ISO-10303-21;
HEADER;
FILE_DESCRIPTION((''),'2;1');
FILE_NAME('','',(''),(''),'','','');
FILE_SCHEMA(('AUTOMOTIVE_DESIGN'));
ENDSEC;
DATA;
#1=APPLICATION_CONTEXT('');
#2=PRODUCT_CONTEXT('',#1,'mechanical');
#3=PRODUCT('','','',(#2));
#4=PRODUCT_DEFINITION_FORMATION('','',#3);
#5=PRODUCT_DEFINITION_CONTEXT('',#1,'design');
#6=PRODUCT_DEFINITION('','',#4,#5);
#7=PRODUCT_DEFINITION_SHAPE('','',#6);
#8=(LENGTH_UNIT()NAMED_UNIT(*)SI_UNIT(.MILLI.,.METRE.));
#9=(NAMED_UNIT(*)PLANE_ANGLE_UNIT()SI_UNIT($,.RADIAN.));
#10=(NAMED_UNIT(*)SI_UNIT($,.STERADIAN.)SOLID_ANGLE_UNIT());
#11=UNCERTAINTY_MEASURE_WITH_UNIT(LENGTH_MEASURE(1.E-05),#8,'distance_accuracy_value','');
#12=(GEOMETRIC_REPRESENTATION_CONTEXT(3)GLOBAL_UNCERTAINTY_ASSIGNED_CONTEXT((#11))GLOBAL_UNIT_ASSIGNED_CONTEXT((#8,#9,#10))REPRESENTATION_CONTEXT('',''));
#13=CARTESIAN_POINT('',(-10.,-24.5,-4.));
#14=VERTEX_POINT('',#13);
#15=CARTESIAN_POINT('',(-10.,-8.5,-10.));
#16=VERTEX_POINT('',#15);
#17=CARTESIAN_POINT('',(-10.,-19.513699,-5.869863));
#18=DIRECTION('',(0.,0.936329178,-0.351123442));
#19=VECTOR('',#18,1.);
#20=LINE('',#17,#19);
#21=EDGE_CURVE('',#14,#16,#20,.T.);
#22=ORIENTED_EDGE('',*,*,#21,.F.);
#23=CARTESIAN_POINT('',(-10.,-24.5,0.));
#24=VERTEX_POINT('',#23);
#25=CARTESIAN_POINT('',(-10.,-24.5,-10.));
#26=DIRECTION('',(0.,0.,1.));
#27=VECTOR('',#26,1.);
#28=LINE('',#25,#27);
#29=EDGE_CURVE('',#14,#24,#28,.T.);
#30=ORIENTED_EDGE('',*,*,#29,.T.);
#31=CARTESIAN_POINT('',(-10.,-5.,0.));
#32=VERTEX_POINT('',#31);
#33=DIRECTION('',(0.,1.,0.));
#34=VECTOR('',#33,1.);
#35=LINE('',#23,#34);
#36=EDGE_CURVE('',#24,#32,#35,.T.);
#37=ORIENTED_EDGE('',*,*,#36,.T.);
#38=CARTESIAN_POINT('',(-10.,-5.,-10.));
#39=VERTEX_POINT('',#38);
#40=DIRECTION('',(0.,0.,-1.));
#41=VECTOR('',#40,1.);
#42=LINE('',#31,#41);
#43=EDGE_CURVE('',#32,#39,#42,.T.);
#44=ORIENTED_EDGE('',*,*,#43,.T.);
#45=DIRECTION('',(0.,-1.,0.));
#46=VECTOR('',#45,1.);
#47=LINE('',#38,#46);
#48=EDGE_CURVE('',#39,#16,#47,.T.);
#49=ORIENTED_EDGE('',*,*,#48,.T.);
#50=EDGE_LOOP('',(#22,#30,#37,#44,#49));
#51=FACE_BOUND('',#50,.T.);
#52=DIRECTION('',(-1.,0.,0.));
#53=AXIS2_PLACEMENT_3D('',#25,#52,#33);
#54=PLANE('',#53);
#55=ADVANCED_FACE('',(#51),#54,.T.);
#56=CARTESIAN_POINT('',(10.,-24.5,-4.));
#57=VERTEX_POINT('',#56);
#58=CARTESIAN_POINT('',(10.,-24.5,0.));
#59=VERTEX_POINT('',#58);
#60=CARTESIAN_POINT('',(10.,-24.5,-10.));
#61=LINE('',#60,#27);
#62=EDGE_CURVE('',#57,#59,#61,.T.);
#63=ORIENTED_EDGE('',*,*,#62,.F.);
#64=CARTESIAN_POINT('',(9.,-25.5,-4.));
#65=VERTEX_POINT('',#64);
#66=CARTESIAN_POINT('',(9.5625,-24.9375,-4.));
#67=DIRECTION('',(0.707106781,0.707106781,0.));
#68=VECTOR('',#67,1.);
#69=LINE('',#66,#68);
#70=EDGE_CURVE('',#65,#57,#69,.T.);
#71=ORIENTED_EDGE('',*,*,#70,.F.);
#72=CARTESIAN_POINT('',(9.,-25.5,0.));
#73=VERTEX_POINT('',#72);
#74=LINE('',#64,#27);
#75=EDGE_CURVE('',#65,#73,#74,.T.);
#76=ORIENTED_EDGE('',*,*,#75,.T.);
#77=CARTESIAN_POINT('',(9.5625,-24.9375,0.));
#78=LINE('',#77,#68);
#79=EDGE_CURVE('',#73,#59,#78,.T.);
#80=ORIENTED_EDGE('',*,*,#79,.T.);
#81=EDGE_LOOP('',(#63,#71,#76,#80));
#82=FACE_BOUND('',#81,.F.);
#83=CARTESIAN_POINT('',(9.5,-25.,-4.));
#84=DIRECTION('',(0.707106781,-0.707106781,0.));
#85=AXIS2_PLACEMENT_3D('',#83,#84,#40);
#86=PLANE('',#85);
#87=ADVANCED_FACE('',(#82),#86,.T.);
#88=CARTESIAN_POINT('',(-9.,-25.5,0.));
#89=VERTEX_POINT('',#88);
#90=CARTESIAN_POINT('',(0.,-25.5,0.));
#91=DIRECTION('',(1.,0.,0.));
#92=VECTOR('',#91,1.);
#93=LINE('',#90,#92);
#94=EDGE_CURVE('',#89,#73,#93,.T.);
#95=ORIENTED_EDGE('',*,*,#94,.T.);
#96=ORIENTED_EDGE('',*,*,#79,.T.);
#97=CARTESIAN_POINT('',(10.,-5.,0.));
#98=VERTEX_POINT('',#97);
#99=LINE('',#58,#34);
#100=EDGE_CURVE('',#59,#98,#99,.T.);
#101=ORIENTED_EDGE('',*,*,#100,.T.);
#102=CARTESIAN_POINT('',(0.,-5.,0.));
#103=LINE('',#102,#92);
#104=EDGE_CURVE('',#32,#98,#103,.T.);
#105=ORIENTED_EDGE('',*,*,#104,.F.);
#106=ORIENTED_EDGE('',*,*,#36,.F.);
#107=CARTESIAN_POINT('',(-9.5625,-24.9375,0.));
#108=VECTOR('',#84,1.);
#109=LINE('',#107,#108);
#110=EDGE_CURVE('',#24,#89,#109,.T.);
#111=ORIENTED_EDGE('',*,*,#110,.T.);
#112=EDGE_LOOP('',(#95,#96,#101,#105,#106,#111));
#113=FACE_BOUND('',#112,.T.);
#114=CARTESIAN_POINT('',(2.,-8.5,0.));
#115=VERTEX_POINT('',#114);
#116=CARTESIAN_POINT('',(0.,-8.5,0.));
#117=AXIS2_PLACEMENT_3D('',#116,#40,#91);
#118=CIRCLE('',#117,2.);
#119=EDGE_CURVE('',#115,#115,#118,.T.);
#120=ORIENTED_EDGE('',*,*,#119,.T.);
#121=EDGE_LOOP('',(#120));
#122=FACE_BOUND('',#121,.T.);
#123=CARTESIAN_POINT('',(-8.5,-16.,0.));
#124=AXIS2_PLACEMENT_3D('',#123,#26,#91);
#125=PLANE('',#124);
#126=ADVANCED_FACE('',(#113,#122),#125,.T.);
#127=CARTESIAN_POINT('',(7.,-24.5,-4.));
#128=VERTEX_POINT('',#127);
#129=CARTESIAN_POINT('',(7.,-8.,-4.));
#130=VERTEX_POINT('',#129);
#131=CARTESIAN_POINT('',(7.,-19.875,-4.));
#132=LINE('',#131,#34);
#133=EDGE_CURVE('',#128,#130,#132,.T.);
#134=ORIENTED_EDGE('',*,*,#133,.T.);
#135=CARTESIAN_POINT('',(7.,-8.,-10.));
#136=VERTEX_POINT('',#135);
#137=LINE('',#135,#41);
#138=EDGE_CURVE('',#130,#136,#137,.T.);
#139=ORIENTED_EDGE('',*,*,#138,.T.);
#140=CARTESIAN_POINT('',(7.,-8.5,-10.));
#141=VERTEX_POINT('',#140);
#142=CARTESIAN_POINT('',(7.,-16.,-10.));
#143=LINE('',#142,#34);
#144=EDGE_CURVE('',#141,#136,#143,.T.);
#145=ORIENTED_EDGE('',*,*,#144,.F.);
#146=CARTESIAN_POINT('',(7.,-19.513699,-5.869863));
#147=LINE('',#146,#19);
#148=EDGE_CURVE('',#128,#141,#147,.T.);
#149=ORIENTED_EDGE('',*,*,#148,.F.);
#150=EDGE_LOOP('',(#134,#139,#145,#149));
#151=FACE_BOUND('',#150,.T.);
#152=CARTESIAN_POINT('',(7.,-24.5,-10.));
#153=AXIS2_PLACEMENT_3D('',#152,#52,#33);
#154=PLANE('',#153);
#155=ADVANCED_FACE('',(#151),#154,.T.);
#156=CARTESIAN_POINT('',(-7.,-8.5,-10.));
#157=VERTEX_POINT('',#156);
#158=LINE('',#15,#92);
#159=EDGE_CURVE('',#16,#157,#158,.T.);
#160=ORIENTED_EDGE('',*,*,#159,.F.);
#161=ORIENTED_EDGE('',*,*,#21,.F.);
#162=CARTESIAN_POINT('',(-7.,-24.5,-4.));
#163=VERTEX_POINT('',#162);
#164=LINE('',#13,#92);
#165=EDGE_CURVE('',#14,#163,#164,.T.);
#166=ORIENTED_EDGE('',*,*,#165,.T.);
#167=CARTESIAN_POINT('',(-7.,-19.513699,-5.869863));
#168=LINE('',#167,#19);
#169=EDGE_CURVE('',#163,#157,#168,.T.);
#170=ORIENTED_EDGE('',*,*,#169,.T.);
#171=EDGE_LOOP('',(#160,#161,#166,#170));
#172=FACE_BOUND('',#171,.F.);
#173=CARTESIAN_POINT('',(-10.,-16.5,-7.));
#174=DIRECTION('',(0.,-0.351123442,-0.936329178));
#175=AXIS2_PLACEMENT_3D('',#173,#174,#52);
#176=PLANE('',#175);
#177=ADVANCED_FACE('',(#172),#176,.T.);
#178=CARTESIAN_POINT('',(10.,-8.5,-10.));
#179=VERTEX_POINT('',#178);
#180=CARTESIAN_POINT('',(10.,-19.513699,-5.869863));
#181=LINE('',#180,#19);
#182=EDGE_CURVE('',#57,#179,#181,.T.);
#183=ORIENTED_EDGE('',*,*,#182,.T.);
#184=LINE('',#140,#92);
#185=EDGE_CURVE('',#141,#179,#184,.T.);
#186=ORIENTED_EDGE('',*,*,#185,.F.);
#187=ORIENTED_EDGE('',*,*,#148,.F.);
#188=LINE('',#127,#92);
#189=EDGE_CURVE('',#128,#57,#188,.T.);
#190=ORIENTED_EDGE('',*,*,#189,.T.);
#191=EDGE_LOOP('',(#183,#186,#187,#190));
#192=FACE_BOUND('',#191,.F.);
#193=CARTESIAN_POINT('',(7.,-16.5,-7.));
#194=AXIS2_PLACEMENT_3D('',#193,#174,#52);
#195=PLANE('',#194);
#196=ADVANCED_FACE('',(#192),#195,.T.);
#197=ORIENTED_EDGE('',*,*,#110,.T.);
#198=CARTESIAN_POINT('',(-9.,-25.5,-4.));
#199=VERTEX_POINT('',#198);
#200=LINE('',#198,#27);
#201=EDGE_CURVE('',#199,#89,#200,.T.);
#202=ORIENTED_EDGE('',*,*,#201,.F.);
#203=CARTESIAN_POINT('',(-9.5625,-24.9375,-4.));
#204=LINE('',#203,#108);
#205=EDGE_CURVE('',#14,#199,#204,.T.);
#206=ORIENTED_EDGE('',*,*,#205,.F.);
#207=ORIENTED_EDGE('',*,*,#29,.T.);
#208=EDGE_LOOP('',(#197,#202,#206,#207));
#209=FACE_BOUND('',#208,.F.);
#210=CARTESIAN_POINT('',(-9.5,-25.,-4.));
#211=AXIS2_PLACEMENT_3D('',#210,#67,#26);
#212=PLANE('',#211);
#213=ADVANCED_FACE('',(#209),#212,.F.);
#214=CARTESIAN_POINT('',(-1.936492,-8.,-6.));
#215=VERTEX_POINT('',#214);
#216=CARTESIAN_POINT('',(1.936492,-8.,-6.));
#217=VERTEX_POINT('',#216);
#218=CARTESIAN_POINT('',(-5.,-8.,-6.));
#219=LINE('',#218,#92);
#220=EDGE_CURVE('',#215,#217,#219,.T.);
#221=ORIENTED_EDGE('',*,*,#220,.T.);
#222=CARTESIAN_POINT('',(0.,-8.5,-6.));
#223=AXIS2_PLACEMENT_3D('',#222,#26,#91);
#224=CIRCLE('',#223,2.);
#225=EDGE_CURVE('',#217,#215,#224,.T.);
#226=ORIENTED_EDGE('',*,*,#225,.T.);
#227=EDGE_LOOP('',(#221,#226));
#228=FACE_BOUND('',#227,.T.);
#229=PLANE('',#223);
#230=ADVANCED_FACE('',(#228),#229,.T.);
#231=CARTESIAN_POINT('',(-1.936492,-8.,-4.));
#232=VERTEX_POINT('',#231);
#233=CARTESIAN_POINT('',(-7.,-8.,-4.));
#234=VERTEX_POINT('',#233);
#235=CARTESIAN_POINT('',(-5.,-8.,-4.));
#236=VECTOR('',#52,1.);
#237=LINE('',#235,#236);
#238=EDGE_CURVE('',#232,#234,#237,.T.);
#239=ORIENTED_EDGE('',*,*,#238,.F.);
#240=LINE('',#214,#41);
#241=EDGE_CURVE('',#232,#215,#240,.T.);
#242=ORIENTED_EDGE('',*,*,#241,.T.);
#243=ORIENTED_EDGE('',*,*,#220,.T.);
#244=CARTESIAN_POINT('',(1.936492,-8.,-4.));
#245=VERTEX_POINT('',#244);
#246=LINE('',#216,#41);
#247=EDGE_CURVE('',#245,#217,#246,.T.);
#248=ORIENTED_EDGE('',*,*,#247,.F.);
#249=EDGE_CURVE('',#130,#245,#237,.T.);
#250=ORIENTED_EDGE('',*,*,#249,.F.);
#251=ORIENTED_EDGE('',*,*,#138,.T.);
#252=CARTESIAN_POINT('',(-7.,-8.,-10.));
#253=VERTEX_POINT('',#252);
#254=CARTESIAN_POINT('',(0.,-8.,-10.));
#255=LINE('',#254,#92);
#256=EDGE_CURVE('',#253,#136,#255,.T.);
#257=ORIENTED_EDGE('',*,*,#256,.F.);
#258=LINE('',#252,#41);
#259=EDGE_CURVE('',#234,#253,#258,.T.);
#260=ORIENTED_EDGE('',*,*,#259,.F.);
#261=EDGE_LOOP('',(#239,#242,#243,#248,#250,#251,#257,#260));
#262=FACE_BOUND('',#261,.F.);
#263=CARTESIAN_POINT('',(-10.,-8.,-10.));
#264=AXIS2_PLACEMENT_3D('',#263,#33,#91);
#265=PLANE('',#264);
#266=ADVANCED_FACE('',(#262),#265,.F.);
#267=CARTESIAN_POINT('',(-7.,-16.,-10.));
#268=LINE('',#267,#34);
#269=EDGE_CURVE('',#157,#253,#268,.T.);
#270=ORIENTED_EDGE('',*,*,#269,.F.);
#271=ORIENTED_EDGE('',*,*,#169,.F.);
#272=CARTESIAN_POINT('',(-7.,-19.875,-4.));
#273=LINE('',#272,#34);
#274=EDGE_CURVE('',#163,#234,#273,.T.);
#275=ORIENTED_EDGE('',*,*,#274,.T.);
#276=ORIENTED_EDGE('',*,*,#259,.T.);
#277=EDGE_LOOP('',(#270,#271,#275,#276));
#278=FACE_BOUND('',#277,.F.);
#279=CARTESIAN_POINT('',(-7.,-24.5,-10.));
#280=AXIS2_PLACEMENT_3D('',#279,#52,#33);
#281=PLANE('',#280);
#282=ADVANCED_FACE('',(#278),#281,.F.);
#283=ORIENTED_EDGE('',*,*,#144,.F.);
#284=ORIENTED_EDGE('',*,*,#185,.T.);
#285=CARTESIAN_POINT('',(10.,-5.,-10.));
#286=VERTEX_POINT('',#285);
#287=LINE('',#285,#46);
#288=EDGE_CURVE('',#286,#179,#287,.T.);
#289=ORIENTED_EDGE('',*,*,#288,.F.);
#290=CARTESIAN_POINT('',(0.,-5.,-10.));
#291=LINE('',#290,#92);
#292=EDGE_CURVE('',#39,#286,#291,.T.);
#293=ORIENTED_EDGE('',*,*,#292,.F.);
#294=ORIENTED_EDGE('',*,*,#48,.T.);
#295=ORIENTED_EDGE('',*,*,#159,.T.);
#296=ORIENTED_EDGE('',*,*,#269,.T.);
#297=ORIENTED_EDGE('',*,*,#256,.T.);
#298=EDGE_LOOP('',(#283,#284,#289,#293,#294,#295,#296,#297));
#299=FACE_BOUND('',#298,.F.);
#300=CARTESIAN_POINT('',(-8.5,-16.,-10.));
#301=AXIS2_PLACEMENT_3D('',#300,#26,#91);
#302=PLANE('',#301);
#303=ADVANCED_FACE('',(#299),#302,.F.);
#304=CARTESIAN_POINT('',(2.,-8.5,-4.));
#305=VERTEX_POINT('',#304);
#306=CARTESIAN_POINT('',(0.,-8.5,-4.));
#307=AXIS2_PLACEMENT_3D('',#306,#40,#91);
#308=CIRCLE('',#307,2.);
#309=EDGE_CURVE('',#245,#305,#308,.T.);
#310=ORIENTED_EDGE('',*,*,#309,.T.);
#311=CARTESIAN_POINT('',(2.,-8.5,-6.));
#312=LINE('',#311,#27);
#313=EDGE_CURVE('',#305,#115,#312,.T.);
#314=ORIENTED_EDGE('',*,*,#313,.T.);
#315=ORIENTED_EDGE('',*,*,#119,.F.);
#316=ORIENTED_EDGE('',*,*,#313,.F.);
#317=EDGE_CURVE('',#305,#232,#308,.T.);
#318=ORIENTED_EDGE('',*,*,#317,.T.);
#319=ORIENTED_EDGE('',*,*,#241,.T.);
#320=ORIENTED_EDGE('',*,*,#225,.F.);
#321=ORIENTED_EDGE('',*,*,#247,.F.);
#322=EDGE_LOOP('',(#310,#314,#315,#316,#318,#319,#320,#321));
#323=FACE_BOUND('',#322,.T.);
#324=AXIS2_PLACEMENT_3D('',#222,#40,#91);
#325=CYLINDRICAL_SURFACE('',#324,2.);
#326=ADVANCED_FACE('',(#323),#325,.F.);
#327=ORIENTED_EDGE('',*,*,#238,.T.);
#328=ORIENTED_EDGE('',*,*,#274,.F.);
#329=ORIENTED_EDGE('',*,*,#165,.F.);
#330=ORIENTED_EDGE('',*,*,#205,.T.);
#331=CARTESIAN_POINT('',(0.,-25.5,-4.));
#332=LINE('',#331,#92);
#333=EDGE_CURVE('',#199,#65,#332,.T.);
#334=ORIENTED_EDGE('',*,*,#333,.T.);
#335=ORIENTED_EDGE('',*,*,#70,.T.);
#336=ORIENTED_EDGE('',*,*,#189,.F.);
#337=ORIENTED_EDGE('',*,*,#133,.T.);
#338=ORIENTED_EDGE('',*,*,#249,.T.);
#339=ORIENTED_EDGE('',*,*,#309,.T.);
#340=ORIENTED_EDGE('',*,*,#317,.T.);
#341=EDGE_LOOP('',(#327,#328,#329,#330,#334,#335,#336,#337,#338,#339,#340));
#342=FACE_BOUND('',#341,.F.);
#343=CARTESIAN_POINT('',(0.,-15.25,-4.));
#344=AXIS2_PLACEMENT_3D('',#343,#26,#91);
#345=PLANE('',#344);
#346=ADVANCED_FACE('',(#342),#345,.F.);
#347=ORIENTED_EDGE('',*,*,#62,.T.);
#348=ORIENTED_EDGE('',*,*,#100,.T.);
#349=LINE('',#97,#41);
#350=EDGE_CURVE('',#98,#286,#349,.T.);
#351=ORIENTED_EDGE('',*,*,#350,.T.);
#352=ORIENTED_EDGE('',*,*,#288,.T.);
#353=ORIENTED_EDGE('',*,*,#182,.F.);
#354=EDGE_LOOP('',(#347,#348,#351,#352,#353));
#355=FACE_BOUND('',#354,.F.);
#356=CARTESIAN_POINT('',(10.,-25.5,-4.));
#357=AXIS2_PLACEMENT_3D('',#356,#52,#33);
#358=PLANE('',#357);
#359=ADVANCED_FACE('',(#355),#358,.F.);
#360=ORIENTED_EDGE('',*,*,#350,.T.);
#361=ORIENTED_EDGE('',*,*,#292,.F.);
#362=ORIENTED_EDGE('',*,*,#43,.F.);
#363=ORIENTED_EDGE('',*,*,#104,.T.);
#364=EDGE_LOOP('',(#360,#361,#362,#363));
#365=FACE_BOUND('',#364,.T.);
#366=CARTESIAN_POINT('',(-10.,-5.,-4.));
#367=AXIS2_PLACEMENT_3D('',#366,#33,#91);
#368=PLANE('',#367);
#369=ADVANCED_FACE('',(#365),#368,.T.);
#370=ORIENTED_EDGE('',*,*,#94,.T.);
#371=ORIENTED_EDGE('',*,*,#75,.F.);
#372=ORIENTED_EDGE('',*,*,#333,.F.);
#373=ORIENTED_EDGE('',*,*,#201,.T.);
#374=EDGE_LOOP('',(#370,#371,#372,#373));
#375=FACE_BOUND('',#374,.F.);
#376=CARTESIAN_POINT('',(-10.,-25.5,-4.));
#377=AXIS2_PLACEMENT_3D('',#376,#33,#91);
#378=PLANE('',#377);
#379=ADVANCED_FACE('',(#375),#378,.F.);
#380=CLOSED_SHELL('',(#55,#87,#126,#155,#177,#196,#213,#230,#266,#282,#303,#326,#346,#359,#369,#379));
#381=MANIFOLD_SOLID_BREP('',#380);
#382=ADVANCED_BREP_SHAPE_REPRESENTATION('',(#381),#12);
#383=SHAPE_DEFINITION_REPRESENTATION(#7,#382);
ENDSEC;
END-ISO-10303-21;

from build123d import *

# Parameters (mm, degrees)
CYLINDER005_R            = 2
CYLINDER005_DEPTH        = 10
BOX009_W                 = 20
BOX009_H                 = 20.5
BOX009_DEPTH             = 4
CHAMFER003001006_SIZE    = 1
BOX010_W                 = 20
BOX010_H                 = 3
BOX010_DEPTH             = 10
BOX012_W                 = 3
BOX012_H                 = 17
BOX012_DEPTH             = 10
BOX011_W                 = 3
BOX011_H                 = 17
BOX011_DEPTH             = 10
CHAMFER003001007_1_SIZE2 = 16
CHAMFER003001007_1_SIZE  = 6
CHAMFER003001007_2_SIZE2 = 16
CHAMFER003001007_2_SIZE  = 6


with BuildPart() as cylinder005:
    # Cylinder005 → Cylinder005 (new body)
    with BuildSketch(Plane(origin=(0, -8.5, -6), x_dir=(1, 0, 0), z_dir=(0, 0, 1))):
        Circle(CYLINDER005_R)
    extrude(amount=CYLINDER005_DEPTH)


with BuildPart() as chamfer003001006:
    # Box009 → Box009 (new body)
    with BuildSketch(Plane(origin=(-10, -25.5, -4), x_dir=(1, 0, 0), z_dir=(0, 0, 1))):
        with Locations((10, 10.25)):
            Rectangle(BOX009_W, BOX009_H)
    extrude(amount=BOX009_DEPTH)

    # Chamfer003001006
    chamfer003001006_edges = [chamfer003001006.edges().sort_by_distance(p)[0] for p in [
        (-10, -25.5, -2),
        (10, -25.5, -2),
    ]]
    chamfer(chamfer003001006_edges, length=CHAMFER003001006_SIZE)


with BuildPart() as cube010:
    # Box010 → Box010 (new body)
    with BuildSketch(Plane(origin=(-10, -8, -10), x_dir=(1, 0, 0), z_dir=(0, 0, 1))):
        with Locations((10, 1.5)):
            Rectangle(BOX010_W, BOX010_H)
    extrude(amount=BOX010_DEPTH)


with BuildPart() as cube012:
    # Box012 → Box012 (new body)
    with BuildSketch(Plane(origin=(7, -24.5, -10), x_dir=(1, 0, 0), z_dir=(0, 0, 1))):
        with Locations((1.5, 8.5)):
            Rectangle(BOX012_W, BOX012_H)
    extrude(amount=BOX012_DEPTH)


with BuildPart() as cut005:
    # Box011 → Box011 (new body)
    with BuildSketch(Plane(origin=(-10, -24.5, -10), x_dir=(1, 0, 0), z_dir=(0, 0, 1))):
        with Locations((1.5, 8.5)):
            Rectangle(BOX011_W, BOX011_H)
    extrude(amount=BOX011_DEPTH)

    # Fusion005: union Cube012
    add(cube012.part)

    # Chamfer003001007 1
    chamfer003001007_1_edges = [cut005.edges().sort_by_distance(p)[0] for p in [
        (8.5, -24.5, -10),
    ]]
    chamfer003001007_1_side = cut005.faces().sort_by_distance((8.5, -24.5, -5))[0]
    chamfer(chamfer003001007_1_edges, length=CHAMFER003001007_1_SIZE, length2=CHAMFER003001007_1_SIZE2, reference=chamfer003001007_1_side)

    # Chamfer003001007 2
    chamfer003001007_2_edges = [cut005.edges().sort_by_distance(p)[0] for p in [
        (-8.5, -24.5, -10),
    ]]
    chamfer003001007_2_side = cut005.faces().sort_by_distance((-8.5, -24.5, -5))[0]
    chamfer(chamfer003001007_2_edges, length=CHAMFER003001007_2_SIZE, length2=CHAMFER003001007_2_SIZE2, reference=chamfer003001007_2_side)

    # Fusion006: union Chamfer003001006, Cube010
    add(chamfer003001006.part)
    add(cube010.part)

    # Cut005: cut Cylinder005
    add(cylinder005.part, mode=Mode.SUBTRACT)


solid = cut005.part
